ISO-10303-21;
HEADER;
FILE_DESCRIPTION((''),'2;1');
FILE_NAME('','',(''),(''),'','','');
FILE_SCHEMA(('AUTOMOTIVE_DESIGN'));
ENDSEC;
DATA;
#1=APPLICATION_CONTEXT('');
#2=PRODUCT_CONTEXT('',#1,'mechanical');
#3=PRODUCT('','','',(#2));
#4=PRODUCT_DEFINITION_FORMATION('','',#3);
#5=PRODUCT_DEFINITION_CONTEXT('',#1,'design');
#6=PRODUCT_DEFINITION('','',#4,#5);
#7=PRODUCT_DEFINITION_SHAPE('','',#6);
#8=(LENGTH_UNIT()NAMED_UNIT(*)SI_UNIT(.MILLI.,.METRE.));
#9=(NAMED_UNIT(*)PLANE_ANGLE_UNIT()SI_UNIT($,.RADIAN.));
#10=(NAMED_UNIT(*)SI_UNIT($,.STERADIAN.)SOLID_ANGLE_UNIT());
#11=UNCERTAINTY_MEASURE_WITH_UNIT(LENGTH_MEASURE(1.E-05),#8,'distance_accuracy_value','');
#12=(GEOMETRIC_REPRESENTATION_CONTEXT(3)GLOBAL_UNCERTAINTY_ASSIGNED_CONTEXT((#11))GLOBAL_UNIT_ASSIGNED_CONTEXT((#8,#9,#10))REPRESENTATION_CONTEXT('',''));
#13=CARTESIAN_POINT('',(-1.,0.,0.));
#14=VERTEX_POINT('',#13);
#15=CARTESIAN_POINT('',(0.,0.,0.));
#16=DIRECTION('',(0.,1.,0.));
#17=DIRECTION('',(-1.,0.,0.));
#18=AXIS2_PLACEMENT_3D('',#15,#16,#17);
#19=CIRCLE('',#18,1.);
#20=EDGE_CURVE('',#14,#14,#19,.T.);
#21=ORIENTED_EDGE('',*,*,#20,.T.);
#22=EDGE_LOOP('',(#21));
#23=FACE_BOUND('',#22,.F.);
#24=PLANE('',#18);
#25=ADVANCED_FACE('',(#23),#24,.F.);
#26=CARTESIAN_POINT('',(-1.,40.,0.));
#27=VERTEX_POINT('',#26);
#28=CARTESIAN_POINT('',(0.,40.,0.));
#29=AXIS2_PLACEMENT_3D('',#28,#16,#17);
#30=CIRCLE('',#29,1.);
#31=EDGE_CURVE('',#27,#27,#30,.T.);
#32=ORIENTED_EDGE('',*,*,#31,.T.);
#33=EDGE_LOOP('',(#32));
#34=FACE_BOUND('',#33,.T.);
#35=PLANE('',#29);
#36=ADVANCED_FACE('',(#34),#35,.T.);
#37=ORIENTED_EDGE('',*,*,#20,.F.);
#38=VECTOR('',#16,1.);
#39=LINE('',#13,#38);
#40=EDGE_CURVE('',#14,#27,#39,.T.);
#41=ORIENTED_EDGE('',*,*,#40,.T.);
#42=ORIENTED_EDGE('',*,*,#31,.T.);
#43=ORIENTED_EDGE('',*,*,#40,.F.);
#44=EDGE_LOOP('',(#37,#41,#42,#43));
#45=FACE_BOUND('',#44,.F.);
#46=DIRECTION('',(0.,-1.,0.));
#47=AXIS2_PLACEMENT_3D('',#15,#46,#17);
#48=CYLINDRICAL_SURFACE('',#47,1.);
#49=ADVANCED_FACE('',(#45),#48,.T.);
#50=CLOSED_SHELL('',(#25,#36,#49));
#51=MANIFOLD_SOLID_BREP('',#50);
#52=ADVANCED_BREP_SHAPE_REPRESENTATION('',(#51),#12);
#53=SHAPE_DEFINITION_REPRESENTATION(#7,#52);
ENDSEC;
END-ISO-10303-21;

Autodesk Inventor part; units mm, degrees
ref_plane "YZ Plane" through (0, 0, 0) normal (1, 0, 0) x (0, 1, 0)
ref_plane "XZ Plane" through (0, 0, 0) normal (0, 1, 0) x (-1, 0, 0)
ref_plane "XY Plane" through (0, 0, 0) normal (0, 0, 1) x (1, 0, 0)
sketch "スケッチ1" plane through (0, 0, 0) normal (0, 1, 0) x (-1, 0, 0)
  circle A0 centre (0, 0) radius 1
  dimension "d0" = 2
extrude "押し出し1" add sketch "スケッチ1" along normal blind 40
properties part number "gear_rod" material "CFRP"
